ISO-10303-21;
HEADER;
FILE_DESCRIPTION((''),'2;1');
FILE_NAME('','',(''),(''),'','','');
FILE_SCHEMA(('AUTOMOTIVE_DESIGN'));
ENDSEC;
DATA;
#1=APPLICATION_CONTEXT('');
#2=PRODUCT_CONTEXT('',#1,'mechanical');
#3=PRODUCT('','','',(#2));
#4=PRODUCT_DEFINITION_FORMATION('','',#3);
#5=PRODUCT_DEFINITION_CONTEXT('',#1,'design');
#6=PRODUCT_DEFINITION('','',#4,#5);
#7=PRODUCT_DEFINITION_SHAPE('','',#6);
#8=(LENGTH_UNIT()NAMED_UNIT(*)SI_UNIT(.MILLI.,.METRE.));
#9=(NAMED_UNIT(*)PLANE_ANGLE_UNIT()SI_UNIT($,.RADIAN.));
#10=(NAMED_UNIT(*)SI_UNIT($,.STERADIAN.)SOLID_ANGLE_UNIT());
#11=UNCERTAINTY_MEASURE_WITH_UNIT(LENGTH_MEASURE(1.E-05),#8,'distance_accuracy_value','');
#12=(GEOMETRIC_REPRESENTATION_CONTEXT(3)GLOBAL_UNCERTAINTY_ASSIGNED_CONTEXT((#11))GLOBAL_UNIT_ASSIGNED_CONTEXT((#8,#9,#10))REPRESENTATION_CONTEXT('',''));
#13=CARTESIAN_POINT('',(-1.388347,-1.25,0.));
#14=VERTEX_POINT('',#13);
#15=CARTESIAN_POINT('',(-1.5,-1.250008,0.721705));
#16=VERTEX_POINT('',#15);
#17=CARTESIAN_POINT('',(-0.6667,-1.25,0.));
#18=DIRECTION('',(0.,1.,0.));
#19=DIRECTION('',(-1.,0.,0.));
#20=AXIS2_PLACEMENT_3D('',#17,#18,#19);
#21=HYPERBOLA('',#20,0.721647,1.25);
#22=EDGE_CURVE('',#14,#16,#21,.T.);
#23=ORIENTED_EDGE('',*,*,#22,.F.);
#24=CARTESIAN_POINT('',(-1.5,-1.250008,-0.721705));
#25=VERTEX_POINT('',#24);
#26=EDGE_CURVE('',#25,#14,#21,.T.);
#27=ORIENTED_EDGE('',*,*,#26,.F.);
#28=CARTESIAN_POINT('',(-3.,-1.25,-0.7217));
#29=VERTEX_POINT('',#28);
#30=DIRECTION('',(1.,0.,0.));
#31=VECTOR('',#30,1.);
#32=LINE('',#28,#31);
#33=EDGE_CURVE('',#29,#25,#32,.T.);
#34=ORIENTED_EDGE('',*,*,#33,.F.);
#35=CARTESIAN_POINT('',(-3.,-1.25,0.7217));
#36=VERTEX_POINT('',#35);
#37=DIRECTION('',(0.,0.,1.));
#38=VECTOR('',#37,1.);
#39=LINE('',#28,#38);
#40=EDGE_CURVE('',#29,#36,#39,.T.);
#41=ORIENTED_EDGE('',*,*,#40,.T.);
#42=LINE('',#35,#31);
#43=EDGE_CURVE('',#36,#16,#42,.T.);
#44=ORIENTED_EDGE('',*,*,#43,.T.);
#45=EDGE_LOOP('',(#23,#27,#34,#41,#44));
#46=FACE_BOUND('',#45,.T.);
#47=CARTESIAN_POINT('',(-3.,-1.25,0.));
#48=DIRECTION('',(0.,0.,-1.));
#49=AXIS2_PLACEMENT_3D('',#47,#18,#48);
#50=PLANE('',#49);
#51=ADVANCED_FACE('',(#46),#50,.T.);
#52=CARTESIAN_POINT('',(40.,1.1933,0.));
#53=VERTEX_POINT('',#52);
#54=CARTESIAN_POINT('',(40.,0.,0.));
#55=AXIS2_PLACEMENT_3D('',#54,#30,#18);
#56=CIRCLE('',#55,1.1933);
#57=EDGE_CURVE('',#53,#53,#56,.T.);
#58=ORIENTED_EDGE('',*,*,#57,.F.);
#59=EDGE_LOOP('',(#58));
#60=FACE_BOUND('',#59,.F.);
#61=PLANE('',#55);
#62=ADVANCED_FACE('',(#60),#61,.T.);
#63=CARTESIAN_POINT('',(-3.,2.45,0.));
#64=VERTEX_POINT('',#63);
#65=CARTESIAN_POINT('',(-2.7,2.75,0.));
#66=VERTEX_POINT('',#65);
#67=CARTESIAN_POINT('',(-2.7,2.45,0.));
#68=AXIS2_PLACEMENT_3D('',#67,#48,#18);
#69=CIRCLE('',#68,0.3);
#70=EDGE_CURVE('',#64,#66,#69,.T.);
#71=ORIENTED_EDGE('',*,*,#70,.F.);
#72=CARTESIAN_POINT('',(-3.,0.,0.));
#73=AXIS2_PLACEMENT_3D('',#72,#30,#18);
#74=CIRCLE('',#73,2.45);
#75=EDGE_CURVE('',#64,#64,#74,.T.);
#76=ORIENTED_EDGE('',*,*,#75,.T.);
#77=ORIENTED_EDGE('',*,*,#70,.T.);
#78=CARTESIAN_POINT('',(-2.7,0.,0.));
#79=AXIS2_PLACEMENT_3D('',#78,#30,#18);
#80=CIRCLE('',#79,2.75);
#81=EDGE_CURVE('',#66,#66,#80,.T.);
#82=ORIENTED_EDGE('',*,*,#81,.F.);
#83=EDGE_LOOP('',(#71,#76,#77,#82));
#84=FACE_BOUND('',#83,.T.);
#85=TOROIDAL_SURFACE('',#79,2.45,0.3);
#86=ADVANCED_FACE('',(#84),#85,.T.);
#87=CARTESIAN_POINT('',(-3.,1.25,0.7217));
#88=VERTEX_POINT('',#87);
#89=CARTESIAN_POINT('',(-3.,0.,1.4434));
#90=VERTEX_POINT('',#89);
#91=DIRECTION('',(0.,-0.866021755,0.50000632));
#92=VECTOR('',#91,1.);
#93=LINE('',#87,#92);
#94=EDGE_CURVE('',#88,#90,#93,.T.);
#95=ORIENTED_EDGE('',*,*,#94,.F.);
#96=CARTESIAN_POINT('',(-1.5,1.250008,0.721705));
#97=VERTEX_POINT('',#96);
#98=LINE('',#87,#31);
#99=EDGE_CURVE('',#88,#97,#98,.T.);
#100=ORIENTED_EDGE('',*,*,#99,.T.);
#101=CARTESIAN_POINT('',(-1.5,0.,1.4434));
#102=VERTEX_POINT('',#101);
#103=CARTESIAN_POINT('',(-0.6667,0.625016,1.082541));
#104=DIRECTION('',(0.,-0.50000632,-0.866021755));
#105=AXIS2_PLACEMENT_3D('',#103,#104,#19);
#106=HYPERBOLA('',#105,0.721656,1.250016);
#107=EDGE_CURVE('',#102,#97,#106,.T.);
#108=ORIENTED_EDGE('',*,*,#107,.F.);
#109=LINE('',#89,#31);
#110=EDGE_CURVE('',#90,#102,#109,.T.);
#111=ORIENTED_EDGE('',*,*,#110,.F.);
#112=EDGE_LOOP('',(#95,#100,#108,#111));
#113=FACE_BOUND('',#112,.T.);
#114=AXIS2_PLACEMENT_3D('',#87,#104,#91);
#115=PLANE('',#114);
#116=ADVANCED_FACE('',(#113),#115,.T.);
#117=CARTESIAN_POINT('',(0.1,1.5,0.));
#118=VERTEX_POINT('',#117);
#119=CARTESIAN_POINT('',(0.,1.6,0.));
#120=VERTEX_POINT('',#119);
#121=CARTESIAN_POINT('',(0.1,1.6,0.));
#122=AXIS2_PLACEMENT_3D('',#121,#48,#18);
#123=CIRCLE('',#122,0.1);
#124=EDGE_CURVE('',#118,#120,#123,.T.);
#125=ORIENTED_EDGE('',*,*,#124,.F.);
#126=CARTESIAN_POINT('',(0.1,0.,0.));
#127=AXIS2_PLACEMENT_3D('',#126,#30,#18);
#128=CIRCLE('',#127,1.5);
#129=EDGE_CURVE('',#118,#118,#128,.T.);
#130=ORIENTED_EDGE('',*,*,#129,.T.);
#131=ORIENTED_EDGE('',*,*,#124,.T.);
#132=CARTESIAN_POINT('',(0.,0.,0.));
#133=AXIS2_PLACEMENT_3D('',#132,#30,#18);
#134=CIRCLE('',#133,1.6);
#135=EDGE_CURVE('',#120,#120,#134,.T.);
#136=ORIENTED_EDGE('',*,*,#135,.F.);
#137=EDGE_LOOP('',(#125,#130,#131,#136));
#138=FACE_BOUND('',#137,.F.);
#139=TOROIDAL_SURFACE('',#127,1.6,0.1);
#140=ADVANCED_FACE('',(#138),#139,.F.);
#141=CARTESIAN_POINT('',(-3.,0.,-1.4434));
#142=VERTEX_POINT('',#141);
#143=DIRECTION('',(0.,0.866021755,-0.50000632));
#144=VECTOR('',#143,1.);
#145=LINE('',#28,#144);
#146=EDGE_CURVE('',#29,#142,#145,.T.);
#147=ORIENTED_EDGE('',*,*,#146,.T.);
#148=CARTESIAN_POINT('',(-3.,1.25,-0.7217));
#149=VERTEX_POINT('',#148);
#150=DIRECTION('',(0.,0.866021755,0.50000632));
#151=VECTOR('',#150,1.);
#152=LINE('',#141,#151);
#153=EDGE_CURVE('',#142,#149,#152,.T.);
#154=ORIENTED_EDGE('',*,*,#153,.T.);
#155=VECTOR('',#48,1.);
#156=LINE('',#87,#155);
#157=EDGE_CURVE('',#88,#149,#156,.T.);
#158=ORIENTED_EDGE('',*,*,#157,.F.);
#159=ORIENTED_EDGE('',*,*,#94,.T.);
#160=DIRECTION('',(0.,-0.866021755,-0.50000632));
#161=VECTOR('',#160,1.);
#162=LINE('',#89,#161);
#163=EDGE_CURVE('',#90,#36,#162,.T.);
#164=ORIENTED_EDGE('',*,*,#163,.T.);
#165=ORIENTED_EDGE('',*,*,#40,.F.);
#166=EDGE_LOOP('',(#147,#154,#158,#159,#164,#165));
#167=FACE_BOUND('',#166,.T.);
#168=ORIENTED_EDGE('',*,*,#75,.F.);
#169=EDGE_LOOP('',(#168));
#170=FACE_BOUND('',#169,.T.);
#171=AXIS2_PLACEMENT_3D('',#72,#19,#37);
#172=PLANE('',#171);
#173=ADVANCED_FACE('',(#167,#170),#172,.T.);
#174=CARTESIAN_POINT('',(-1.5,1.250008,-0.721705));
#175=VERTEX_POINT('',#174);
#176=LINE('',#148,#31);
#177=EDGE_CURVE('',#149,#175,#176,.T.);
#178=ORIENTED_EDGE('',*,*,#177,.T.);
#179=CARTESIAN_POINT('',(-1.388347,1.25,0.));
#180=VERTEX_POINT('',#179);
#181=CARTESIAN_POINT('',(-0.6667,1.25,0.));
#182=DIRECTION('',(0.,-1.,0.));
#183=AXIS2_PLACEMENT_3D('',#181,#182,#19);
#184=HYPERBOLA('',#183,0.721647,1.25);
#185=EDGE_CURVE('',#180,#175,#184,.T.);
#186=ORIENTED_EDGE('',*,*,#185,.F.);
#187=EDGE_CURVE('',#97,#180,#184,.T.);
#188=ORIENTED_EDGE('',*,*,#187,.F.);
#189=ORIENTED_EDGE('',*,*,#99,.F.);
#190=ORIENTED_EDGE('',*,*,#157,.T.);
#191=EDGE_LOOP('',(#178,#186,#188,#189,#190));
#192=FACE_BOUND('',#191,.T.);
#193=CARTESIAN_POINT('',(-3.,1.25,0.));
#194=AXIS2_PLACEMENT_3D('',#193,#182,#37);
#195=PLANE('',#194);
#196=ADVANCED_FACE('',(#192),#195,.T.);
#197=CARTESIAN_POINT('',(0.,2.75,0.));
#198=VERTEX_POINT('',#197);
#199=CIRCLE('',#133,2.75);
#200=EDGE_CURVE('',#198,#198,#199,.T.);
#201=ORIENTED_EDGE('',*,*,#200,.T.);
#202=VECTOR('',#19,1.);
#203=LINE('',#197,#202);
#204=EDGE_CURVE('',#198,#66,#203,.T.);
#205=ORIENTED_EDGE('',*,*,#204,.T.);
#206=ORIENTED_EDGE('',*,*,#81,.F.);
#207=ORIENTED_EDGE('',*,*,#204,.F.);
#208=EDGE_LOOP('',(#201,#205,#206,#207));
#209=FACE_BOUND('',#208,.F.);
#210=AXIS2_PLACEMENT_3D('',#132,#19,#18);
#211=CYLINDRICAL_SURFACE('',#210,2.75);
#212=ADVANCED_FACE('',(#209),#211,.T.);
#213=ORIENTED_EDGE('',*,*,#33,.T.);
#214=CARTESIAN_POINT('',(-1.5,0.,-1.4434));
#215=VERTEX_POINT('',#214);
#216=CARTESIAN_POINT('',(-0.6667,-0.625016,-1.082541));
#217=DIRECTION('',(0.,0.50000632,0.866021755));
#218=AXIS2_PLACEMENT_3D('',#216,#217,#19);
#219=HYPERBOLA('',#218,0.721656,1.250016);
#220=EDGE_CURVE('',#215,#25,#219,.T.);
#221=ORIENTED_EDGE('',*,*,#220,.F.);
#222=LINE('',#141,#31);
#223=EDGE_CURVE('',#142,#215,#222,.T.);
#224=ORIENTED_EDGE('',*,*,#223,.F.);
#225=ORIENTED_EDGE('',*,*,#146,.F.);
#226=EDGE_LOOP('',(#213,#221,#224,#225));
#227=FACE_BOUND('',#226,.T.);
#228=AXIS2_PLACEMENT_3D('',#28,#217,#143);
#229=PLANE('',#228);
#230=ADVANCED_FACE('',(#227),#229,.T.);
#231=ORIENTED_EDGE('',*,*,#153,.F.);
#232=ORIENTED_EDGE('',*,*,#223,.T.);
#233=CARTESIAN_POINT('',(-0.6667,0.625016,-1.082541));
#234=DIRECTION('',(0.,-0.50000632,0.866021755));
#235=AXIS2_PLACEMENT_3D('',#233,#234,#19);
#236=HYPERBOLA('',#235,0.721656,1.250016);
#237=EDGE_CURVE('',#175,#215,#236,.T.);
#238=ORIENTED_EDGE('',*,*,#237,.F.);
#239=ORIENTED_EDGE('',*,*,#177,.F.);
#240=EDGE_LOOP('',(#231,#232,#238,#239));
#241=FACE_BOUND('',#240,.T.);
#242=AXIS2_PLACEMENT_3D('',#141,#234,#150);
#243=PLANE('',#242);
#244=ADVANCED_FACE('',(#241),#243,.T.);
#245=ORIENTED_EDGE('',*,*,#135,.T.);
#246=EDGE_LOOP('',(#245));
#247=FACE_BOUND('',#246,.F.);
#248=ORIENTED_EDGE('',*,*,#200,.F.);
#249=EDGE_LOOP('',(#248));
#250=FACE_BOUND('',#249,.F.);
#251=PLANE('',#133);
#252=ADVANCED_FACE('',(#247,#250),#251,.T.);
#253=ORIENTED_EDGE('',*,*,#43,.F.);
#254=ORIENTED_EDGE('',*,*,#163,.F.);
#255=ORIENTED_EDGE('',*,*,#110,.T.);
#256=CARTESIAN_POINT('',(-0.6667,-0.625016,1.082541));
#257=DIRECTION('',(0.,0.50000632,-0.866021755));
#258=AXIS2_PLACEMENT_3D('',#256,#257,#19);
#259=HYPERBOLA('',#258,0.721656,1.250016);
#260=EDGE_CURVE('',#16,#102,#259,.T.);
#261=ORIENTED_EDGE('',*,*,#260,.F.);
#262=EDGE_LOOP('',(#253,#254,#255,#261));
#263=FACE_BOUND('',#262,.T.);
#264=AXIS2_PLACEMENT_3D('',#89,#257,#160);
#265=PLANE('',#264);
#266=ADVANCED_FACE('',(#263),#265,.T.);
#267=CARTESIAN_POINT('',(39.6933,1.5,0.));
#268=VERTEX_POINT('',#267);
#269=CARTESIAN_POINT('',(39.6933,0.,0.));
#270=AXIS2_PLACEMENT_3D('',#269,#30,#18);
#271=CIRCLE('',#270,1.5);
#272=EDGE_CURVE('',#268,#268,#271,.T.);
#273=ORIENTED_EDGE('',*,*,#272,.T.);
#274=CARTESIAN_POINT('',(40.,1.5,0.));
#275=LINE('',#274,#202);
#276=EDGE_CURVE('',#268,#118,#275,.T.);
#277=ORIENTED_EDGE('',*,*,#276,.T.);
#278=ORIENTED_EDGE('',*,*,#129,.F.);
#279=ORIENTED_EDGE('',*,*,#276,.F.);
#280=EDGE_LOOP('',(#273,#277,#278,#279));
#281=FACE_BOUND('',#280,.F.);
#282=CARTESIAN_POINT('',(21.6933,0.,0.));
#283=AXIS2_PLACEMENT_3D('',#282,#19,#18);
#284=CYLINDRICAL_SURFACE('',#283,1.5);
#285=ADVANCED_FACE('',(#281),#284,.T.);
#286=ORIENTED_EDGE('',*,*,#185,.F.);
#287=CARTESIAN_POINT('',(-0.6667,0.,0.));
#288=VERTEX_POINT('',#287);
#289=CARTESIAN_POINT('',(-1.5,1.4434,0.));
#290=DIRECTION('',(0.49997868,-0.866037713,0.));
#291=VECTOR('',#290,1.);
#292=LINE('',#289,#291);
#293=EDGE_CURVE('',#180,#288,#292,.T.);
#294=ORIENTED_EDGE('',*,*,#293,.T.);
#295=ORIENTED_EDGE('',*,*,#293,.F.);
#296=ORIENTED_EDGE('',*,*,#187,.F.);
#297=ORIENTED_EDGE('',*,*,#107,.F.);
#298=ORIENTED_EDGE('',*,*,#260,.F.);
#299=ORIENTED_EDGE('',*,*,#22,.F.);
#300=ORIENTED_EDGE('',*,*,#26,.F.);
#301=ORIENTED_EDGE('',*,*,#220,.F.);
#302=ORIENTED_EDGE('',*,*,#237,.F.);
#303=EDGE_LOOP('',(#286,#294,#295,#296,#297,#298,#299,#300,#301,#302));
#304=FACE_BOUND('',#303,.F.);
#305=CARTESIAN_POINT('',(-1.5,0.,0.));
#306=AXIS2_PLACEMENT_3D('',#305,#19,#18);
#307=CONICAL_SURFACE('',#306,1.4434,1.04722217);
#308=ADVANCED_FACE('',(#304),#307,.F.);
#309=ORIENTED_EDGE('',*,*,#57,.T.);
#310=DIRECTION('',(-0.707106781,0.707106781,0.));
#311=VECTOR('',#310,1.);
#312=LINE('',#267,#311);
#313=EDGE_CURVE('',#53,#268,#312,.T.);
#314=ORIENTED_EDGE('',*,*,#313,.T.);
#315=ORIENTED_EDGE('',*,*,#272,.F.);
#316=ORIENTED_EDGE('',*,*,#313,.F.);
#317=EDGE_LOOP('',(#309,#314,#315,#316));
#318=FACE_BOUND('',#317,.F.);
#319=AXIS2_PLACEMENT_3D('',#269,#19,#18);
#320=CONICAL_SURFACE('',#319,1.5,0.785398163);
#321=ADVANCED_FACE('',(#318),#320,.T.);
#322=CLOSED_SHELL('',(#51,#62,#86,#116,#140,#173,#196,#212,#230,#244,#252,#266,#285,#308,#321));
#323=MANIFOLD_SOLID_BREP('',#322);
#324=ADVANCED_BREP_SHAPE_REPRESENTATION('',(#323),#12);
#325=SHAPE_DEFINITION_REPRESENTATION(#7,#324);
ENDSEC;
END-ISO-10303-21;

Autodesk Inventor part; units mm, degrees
ref_plane "YZ Plane" through (0, 0, 0) normal (1, 0, 0) x (0, 1, 0)
ref_plane "XZ Plane" through (0, 0, 0) normal (0, 1, 0) x (-1, 0, 0)
sketch "Sketch1" plane through (0, 0, 0) normal (0, 0, 1) x (1, 0, 0)
  line L0 (-0.6667, 0) -> (40, 0)
  line L1 (40, 0) -> (40, 1.5)
  line L2 (40, 1.5) -> (22, 1.5)
  line L3 (22, 1.5) -> (21.6933, 1.5)
  line L4 (21.6933, 1.5) -> (0, 1.5)
  line L5 (0, 1.5) -> (0, 2.75)
  line L6 (0, 2.75) -> (-3, 2.75)
  line L7 (-3, 2.75) -> (-3, 1.4434)
  line L8 (-3, 1.4434) -> (-1.5, 1.4434)
  line L9 (-1.5, 1.4434) -> (-0.6667, 0)
  line L10 (-11.6, 0) -> (48.6, 0) projected
  line L11 (0, -0.55) -> (0, 3.3) projected
  line L12 (22, 1.5) -> (0, 1.5) construction
  dimension "d0" = 18
  dimension "d1" = 0.3067
  dimension "d2" = 3
  dimension "d3" = 1.5
  dimension "d4" = 60
  dimension "d5" = 3
  dimension "d6" = 3
  dimension "d7" = 2.8868
  dimension "d8" = 5.5
  dimension "d19" = 40
revolve "Body" add sketch "Sketch1" angle 360 about axis through (-0.6667, 0, 0) along (1, 0, 0)
sketch "Sketch2" plane through (-3, 0, 0) normal (-1, 0, 0) x (0, 0, 1)
  circle A0 centre (0, 0) radius 1.4434 projected
  line L0 (0, -3.85) -> (0, 3.85) projected
  line L1 (-3.85, 0) -> (3.85, 0) projected
  line L2 (1.4434, 0) -> (0.7217, -1.25)
  line L3 (0.7217, -1.25) -> (-0.7217, -1.25)
  line L4 (-0.7217, -1.25) -> (-1.4434, 0)
  line L5 (-1.4434, 0) -> (-0.7217, 1.25)
  line L6 (-0.7217, 1.25) -> (0.7217, 1.25)
  line L7 (0.7217, 1.25) -> (1.4434, 0)
extrude "Slot" add sketch "Sketch2" against normal up to next contours L7 A0 | A0 L2 | L6 L0 A0 | A0 L0 L3 | L0 L6 A0 | A0 L3 L0 | L4 A0 | A0 L5
fillet "Fillet2" radius 0.3 1 edges at (-3, -2.75, 0)
thread "Thread" size "M3x0.5" class "6g" standard "ISO Metric profile" length 18
chamfer "Chamfer1" distance 0.3067 distance2 0.3067 1 edges at (40, -1.5, 0) measured on face at (40, -0.1088, 0.5667)
fillet "Fillet1" radius 0.1 1 edges at (0, -1.5, 0)
ref_plane "Work Plane1" through (30, 0, 0) normal (0, -0.5, 0.866) x (1, 0, 0)
equation "\"d0\" = GEL"
equation "\"d1\" = GAL"
equation "\"d2\" = KOH"
equation "\"d3\" = INTI"
equation "\"d5\" = GD"
equation "\"d6\" = BDM"
equation "\"d7\" = 1.1547 * SW"
equation "\"d8\" = KOD"
equation "\"d19\" = NLG"
equation "\"d16\" = RR"
equation "\"d12\" = GEL"
equation "\"d14\" = -0.5 * SPD + 0.5 * GD"
equation "\"d15\" = GUL"
equation "\"d29\" = R"
equation "\"GD\" = NND"
equation "\"NLG\" = 40"
equation "\"GEL\" = 18"
equation "\"KOD\" = 5.5"
equation "\"KOH\" = 3"
equation "\"INTI\" = 1.5"
equation "\"GAL\" = 0.61345 * PTC"
equation "\"GUL\" = 0.61345 * PTC"
equation "\"BDM\" = NND"
equation "\"SW\" = 2.5"
equation "\"RR\" = 0.3"
equation "\"SPD\" = 2.38655"
equation "\"d28\" = R"
equation "\"R\" = 0.1"
equation "\"TOA\" = 30deg"
equation "\"THREADDIA\" = 3"
equation "\"KOD1\" = KOD"
equation "\"PTC\" = 0.5"
equation "\"NND\" = 3"
equation "\"E0\" = 1.155 * SW"
equation "\"GD1\" = THREADDIA - 1.2269 * PTC"
properties part number "ANSI B18.3.1M - M3x0.5 x 40" material "Steel, Mild"
